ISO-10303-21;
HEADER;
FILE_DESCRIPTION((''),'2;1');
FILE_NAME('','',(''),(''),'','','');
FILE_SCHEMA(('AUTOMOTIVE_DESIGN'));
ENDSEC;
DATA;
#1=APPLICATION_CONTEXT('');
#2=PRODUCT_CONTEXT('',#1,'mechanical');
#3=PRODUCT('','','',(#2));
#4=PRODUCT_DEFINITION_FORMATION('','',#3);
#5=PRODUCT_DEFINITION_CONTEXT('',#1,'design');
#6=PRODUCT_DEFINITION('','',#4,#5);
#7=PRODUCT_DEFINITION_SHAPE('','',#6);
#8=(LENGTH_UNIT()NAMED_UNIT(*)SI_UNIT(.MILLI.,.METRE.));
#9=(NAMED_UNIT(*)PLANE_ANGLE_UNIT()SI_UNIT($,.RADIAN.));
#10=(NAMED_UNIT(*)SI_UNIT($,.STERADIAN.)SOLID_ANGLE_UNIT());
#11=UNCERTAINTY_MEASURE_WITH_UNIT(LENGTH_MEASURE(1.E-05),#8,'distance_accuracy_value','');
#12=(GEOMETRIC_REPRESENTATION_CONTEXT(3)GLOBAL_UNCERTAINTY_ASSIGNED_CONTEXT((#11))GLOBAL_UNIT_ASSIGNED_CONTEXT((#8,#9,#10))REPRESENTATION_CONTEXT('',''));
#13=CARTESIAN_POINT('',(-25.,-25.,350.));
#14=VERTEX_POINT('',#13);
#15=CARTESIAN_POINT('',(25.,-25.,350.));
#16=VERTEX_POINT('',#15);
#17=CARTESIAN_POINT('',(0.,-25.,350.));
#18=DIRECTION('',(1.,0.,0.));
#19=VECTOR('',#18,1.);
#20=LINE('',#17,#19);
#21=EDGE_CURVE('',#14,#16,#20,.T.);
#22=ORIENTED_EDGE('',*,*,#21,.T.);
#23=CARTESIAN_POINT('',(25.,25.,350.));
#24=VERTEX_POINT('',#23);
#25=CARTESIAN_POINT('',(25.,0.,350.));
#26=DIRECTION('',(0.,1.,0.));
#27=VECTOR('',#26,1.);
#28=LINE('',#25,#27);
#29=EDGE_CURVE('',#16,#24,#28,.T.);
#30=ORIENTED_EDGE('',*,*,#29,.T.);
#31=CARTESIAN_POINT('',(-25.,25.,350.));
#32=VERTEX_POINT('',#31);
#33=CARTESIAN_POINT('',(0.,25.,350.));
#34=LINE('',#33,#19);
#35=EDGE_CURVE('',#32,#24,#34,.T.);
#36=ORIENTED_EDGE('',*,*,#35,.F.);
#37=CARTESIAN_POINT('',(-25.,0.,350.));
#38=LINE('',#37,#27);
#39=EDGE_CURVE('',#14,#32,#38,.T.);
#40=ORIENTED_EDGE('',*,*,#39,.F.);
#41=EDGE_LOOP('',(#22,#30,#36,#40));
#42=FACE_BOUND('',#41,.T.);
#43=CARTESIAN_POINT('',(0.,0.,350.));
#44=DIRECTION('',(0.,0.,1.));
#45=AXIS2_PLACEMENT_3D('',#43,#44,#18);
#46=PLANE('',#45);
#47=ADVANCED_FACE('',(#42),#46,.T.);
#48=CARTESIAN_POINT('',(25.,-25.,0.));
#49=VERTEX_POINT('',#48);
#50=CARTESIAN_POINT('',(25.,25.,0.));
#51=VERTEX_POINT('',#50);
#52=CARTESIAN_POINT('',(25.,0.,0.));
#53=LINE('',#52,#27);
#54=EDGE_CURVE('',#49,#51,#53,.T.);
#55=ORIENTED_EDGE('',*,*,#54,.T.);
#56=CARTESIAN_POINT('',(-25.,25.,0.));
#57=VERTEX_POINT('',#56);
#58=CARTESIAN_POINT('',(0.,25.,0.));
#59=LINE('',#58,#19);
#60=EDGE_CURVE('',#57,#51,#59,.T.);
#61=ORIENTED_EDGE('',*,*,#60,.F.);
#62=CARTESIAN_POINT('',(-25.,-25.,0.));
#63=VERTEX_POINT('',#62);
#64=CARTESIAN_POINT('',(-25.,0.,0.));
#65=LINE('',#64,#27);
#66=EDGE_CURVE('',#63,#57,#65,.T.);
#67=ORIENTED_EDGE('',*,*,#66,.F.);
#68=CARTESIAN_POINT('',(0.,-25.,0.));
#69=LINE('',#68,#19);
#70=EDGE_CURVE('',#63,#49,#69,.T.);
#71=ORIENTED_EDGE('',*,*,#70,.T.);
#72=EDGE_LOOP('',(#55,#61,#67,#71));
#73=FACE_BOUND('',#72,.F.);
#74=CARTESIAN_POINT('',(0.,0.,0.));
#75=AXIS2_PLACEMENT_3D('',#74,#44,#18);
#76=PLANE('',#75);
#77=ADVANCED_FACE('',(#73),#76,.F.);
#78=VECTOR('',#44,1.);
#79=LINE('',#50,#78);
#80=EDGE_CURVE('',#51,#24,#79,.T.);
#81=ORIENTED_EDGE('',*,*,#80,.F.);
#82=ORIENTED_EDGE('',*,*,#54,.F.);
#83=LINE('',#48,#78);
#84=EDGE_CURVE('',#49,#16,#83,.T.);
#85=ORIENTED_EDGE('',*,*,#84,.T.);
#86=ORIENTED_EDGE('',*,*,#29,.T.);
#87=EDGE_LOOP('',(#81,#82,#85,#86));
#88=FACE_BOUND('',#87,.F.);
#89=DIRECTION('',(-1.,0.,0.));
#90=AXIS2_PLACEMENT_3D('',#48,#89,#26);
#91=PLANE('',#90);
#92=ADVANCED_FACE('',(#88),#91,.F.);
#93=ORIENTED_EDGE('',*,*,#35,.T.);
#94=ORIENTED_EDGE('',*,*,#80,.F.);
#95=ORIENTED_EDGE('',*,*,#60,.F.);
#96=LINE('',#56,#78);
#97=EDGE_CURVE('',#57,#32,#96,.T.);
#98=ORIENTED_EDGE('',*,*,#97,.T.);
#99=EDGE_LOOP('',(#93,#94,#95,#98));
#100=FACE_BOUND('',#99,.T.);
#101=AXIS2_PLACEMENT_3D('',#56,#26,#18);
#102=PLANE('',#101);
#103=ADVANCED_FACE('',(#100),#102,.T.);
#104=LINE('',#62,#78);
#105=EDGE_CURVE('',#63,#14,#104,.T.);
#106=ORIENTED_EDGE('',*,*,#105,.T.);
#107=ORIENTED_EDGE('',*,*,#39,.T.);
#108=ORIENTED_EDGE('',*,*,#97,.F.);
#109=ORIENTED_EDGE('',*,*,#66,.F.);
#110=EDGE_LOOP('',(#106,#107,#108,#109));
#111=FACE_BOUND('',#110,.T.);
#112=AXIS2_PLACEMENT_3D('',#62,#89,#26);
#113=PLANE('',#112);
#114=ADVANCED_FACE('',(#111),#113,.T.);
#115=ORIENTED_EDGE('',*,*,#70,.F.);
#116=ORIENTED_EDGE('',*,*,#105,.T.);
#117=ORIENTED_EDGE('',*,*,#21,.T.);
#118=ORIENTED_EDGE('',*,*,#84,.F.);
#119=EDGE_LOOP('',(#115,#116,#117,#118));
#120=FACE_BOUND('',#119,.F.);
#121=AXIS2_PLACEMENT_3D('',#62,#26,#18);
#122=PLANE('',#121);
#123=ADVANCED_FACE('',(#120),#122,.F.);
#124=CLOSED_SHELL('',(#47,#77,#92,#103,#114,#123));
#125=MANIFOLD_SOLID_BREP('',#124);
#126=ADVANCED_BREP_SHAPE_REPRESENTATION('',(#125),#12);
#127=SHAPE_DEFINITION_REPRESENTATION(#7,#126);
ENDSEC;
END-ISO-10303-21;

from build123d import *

# Parameters (mm, degrees)
SKETCH1_W           = 50
SKETCH1_H           = 50
BOSS_EXTRUDE1_DEPTH = 350


with BuildPart() as part:
    # Sketch1 → Boss-Extrude1 (new body)
    with BuildSketch(Plane.XY):
        Rectangle(SKETCH1_W, SKETCH1_H)
    extrude(amount=BOSS_EXTRUDE1_DEPTH)


solid = part.part
